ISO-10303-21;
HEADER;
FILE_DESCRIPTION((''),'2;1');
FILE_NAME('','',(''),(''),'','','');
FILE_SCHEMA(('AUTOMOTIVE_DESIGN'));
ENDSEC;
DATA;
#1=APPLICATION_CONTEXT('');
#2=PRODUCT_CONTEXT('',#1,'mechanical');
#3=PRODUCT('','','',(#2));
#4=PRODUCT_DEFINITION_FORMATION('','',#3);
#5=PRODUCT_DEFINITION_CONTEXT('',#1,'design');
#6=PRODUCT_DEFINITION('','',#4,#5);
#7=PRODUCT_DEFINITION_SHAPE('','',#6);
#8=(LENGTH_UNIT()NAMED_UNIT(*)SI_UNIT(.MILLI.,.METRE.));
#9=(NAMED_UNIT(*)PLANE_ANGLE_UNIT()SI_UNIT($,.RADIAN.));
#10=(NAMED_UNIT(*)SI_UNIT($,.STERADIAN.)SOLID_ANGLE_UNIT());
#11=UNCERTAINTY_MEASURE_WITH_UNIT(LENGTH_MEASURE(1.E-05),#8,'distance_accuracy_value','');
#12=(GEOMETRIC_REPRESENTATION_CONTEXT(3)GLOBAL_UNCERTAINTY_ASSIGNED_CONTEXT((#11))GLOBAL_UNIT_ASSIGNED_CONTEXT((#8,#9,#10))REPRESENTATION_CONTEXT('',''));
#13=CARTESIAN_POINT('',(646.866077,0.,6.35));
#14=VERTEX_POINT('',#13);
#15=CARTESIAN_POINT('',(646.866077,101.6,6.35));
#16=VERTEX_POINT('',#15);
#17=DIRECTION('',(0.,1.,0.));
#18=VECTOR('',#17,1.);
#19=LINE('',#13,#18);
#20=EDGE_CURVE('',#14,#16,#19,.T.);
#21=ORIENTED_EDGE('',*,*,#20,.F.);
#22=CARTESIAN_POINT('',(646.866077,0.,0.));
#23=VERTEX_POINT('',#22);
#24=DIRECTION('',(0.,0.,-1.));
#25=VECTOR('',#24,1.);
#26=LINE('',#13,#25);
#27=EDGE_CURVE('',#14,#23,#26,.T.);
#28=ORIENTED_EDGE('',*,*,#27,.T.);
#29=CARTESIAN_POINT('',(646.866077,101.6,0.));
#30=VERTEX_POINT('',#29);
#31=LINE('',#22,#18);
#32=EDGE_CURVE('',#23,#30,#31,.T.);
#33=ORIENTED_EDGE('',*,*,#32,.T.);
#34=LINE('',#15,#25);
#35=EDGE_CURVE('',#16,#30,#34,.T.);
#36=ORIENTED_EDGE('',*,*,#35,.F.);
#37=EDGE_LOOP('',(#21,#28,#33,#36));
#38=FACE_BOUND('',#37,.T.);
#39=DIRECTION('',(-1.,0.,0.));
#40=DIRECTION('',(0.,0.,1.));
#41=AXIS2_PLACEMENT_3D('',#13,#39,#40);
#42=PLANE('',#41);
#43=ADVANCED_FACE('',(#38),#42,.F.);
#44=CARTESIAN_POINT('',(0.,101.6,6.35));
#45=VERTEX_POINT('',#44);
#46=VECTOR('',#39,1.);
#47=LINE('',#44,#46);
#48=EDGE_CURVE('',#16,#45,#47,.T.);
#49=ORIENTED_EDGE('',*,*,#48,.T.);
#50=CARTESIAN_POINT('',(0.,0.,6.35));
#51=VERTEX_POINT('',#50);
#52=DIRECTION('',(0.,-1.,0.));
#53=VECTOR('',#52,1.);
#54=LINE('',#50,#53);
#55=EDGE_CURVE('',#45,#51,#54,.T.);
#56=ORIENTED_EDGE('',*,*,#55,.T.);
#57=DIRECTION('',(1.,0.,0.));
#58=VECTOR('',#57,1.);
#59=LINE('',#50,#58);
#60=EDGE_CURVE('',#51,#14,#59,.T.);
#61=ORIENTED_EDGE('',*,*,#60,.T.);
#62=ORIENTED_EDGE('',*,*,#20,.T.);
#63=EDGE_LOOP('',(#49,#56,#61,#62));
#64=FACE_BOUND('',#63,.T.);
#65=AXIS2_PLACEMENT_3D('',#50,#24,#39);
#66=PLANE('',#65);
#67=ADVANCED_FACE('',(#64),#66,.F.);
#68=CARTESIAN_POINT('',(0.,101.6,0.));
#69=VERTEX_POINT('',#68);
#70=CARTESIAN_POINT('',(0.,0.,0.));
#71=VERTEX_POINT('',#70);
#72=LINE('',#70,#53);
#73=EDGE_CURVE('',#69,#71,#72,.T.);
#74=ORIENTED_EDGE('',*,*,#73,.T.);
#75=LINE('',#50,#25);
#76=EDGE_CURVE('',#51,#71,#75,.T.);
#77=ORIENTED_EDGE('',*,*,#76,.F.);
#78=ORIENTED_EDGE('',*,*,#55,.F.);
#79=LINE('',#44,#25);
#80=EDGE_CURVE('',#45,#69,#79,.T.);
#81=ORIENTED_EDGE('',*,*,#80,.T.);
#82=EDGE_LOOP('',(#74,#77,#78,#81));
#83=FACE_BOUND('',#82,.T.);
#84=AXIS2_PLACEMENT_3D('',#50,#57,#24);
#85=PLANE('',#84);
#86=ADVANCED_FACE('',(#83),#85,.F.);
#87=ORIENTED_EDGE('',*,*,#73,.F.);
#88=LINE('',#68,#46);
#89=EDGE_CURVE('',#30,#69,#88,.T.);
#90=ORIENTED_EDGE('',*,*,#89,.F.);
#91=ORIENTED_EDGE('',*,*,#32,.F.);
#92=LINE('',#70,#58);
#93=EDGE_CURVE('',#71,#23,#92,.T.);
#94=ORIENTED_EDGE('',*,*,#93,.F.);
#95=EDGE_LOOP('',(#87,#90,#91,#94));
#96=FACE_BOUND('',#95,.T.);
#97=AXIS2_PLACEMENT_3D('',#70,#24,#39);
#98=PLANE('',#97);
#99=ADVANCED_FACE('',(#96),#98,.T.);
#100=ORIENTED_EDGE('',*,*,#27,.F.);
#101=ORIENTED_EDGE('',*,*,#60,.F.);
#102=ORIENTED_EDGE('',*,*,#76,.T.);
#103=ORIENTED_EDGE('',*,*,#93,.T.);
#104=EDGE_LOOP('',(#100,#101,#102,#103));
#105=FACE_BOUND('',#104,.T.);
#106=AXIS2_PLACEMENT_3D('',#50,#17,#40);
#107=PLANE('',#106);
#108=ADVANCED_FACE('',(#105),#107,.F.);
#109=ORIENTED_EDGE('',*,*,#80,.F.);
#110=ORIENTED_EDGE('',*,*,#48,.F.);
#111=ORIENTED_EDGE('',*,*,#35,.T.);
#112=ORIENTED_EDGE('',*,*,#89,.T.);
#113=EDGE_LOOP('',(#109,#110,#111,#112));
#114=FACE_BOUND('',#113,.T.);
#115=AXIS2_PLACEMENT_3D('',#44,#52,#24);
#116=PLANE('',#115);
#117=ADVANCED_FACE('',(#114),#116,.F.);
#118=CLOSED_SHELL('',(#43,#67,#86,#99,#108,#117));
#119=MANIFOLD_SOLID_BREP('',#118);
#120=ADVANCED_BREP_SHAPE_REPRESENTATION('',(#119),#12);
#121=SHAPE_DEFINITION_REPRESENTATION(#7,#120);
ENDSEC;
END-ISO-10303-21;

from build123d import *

# Parameters (mm, degrees)
SKETCH1_W           = 646.866076921
SKETCH1_H           = 101.6
BOSS_EXTRUDE1_DEPTH = 6.35


with BuildPart() as part:
    # Sketch1 → Boss-Extrude1 (new body)
    with BuildSketch(Plane.XY):
        with Locations((323.433038461, 50.8)):
            Rectangle(SKETCH1_W, SKETCH1_H)
    extrude(amount=BOSS_EXTRUDE1_DEPTH)


solid = part.part
